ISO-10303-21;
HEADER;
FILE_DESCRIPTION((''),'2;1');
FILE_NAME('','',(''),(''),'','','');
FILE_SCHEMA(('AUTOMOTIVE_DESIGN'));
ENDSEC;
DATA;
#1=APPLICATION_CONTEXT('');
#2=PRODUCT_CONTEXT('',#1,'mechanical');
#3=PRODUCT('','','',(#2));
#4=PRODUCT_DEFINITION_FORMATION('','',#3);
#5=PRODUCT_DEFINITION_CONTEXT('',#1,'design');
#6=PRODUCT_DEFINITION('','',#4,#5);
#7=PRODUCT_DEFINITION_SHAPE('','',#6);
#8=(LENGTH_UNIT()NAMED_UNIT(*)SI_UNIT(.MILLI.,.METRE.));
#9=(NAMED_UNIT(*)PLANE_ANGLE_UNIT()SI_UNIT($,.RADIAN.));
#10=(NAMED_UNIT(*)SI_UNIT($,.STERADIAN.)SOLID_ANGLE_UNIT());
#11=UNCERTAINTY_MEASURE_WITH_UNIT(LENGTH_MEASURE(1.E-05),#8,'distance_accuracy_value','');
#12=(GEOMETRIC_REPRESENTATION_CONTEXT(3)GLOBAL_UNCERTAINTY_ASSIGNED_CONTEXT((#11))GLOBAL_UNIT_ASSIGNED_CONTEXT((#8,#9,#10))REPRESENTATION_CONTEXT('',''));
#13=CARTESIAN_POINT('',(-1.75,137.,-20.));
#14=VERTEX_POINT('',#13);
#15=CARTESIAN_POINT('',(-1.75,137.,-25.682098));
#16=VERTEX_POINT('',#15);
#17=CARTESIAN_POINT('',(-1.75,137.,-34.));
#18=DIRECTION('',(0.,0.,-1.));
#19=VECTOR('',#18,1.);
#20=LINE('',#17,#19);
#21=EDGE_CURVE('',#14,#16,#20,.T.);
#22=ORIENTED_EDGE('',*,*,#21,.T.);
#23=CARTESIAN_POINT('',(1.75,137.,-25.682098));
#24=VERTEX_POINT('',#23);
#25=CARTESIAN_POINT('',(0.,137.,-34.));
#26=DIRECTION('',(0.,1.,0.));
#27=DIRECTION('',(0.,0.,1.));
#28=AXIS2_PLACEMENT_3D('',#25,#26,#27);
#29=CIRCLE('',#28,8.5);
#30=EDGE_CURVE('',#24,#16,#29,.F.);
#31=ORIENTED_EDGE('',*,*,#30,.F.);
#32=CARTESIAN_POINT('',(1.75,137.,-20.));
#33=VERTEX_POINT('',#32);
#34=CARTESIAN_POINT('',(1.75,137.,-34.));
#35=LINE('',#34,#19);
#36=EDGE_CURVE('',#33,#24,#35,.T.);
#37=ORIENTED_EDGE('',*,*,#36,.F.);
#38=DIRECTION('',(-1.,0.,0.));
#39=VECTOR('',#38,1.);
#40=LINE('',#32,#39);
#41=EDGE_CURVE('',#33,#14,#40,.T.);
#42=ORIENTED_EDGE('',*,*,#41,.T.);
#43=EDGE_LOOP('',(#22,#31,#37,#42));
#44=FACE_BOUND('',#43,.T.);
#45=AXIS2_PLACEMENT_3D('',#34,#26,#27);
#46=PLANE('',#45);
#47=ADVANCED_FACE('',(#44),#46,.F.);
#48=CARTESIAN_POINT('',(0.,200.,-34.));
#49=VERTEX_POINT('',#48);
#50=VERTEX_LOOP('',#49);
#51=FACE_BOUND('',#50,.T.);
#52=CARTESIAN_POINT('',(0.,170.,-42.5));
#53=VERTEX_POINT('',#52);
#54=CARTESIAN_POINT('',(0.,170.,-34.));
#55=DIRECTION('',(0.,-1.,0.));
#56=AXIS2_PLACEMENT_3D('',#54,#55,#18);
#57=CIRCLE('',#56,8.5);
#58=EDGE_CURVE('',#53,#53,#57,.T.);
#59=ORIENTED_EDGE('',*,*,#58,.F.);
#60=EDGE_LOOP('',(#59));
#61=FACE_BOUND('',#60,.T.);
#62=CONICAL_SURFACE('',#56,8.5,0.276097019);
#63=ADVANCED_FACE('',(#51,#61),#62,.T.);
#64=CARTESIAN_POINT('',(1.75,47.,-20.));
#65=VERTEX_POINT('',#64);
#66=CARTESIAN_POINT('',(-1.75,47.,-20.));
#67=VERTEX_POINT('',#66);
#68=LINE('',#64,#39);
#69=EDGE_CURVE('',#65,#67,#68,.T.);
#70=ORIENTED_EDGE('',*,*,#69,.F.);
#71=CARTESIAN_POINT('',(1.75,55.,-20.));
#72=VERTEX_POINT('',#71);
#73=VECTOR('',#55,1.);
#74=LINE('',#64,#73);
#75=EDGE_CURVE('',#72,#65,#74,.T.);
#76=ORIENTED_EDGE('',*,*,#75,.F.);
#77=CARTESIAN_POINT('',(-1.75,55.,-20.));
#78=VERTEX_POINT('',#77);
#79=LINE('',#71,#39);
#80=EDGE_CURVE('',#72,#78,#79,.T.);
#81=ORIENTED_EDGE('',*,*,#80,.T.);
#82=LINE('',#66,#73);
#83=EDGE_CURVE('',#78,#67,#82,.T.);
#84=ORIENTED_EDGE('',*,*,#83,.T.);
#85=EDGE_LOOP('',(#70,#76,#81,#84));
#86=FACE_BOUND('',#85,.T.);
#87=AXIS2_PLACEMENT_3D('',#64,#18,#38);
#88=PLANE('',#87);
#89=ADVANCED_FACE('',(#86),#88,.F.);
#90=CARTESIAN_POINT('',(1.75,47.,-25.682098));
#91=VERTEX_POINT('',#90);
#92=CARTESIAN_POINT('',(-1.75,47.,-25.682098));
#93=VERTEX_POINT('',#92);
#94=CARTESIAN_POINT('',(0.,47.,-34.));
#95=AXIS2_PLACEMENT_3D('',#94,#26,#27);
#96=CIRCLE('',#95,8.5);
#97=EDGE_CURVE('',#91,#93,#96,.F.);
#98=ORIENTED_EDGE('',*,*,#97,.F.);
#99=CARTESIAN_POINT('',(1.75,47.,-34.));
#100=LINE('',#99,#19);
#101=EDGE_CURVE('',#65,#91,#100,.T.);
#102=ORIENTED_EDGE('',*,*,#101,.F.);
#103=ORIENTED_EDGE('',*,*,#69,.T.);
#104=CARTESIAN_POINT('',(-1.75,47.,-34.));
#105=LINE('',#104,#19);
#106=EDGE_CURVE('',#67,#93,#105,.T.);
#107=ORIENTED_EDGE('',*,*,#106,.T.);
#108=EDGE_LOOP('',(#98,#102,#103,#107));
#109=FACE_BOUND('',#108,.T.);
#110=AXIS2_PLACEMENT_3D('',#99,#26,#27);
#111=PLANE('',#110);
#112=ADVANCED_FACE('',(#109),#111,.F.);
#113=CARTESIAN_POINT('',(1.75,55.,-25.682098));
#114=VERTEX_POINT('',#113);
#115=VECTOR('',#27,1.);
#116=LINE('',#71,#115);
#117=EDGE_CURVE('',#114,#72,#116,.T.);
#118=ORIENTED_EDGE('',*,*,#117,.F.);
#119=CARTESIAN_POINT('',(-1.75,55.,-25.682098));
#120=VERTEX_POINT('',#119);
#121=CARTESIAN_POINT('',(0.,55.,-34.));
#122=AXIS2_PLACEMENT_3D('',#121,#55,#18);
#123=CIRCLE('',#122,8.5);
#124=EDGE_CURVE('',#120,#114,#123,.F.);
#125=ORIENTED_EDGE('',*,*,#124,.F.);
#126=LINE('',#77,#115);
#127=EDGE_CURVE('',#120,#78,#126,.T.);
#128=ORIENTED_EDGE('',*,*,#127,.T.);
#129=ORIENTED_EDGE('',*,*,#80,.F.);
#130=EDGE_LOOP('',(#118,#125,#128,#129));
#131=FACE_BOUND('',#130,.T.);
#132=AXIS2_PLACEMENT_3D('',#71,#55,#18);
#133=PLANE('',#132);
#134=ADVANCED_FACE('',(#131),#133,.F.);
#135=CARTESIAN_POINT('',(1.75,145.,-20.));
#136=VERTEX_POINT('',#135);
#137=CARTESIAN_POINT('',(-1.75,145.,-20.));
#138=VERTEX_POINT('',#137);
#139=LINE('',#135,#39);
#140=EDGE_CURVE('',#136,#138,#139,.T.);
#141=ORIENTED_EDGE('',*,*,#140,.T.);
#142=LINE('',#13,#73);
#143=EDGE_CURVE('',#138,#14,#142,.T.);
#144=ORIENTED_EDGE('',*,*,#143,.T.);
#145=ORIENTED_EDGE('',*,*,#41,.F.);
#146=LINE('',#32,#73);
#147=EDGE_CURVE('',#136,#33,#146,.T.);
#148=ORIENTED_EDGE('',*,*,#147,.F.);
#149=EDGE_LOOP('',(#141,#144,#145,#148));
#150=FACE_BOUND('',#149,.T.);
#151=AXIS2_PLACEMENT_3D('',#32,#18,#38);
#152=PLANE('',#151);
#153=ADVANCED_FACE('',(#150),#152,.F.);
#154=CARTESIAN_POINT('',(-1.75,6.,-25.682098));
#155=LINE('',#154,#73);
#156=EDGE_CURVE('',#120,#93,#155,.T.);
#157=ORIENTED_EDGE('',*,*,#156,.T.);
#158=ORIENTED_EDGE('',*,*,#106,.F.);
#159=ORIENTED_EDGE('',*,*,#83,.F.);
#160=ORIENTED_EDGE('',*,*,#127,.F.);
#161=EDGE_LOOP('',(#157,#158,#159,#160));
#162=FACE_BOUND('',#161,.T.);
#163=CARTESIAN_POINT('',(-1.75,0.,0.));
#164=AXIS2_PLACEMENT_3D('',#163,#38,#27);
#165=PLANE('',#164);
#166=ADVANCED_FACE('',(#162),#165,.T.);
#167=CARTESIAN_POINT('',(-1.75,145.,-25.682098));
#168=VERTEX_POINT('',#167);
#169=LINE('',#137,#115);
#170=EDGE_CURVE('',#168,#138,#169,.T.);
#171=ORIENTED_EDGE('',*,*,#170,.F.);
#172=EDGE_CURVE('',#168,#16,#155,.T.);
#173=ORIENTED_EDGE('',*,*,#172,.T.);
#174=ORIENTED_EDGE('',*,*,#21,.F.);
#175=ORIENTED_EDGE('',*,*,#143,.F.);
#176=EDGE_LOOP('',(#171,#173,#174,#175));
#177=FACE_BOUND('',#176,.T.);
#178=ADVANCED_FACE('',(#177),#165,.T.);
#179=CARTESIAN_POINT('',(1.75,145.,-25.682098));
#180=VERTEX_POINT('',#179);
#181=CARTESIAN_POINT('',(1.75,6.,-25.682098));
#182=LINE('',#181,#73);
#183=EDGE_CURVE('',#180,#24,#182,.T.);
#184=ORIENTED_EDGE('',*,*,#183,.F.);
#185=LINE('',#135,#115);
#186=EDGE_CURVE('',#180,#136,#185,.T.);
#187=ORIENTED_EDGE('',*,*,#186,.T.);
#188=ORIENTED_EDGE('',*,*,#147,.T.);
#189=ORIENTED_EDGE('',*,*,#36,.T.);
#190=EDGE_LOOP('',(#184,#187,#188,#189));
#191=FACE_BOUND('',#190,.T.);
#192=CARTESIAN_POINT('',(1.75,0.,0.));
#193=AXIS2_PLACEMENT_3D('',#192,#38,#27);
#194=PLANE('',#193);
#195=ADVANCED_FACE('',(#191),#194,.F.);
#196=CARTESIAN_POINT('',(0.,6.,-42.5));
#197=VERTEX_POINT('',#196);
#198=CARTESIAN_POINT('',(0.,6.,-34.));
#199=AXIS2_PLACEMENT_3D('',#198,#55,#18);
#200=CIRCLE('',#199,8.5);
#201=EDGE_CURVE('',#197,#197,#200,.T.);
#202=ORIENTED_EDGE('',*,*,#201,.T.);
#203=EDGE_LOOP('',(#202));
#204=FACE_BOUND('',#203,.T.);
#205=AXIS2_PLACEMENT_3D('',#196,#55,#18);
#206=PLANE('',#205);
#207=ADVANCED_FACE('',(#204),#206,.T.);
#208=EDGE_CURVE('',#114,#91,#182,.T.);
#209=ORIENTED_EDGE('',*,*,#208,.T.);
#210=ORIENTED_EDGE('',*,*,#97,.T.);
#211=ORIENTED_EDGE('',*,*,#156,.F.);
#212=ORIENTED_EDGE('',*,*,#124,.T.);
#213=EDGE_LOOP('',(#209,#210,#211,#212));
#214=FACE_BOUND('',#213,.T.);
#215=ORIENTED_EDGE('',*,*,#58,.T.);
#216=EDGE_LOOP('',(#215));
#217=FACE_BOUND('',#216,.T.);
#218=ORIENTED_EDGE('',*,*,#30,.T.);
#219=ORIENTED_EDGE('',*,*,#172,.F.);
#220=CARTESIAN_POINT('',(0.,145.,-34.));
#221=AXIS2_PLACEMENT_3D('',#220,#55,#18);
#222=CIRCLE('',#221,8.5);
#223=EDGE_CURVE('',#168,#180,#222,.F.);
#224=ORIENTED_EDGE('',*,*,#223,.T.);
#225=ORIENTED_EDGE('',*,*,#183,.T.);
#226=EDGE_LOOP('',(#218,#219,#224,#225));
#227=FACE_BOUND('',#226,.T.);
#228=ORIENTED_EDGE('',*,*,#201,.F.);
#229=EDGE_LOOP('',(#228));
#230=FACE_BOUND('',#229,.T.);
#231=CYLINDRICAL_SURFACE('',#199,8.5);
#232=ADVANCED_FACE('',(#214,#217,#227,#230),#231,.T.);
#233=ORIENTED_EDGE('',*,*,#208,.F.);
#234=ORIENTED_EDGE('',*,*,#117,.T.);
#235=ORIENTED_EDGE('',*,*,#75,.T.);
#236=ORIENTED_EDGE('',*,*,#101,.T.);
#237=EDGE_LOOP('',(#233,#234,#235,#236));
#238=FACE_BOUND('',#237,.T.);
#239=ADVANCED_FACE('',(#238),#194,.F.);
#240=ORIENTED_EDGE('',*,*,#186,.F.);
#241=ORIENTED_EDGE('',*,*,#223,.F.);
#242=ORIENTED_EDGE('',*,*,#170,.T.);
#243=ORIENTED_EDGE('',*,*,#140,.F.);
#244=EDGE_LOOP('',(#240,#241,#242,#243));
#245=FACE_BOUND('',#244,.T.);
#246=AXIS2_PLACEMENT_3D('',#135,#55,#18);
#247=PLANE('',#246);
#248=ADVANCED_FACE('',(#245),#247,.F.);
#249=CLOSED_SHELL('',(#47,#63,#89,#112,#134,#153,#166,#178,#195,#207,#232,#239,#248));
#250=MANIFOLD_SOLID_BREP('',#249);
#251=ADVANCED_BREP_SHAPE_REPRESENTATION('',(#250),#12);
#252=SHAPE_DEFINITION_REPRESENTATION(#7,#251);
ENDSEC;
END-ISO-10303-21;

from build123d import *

# Parameters (mm, degrees)
SKETCH3_W           = 14
SKETCH3_H           = 8
BOSS_EXTRUDE2_DEPTH = 1.75


with BuildPart() as part:
    # Sketch2 → Revolve2 (revolve)
    with BuildSketch(Plane(origin=(0, 0, 0), x_dir=(0, 0, -1), z_dir=(1, 0, 0))):
        Polygon((34, 200), (42.5, 170), (42.5, 20), (42.5, 10), (42.5, 6), (34, 6), align=None)
    revolve(axis=Axis((0, 6, -34), (0, 1, 0)))

    # Sketch3 → Boss-Extrude2 (add, symmetric)
    with BuildSketch(Plane(origin=(0, 0, 0), x_dir=(0, 0, -1), z_dir=(1, 0, 0))):
        with Locations((27, 141)):
            Rectangle(SKETCH3_W, SKETCH3_H)
        with Locations((27, 51)):
            Rectangle(SKETCH3_W, SKETCH3_H)
    extrude(amount=BOSS_EXTRUDE2_DEPTH, both=True)


solid = part.part
